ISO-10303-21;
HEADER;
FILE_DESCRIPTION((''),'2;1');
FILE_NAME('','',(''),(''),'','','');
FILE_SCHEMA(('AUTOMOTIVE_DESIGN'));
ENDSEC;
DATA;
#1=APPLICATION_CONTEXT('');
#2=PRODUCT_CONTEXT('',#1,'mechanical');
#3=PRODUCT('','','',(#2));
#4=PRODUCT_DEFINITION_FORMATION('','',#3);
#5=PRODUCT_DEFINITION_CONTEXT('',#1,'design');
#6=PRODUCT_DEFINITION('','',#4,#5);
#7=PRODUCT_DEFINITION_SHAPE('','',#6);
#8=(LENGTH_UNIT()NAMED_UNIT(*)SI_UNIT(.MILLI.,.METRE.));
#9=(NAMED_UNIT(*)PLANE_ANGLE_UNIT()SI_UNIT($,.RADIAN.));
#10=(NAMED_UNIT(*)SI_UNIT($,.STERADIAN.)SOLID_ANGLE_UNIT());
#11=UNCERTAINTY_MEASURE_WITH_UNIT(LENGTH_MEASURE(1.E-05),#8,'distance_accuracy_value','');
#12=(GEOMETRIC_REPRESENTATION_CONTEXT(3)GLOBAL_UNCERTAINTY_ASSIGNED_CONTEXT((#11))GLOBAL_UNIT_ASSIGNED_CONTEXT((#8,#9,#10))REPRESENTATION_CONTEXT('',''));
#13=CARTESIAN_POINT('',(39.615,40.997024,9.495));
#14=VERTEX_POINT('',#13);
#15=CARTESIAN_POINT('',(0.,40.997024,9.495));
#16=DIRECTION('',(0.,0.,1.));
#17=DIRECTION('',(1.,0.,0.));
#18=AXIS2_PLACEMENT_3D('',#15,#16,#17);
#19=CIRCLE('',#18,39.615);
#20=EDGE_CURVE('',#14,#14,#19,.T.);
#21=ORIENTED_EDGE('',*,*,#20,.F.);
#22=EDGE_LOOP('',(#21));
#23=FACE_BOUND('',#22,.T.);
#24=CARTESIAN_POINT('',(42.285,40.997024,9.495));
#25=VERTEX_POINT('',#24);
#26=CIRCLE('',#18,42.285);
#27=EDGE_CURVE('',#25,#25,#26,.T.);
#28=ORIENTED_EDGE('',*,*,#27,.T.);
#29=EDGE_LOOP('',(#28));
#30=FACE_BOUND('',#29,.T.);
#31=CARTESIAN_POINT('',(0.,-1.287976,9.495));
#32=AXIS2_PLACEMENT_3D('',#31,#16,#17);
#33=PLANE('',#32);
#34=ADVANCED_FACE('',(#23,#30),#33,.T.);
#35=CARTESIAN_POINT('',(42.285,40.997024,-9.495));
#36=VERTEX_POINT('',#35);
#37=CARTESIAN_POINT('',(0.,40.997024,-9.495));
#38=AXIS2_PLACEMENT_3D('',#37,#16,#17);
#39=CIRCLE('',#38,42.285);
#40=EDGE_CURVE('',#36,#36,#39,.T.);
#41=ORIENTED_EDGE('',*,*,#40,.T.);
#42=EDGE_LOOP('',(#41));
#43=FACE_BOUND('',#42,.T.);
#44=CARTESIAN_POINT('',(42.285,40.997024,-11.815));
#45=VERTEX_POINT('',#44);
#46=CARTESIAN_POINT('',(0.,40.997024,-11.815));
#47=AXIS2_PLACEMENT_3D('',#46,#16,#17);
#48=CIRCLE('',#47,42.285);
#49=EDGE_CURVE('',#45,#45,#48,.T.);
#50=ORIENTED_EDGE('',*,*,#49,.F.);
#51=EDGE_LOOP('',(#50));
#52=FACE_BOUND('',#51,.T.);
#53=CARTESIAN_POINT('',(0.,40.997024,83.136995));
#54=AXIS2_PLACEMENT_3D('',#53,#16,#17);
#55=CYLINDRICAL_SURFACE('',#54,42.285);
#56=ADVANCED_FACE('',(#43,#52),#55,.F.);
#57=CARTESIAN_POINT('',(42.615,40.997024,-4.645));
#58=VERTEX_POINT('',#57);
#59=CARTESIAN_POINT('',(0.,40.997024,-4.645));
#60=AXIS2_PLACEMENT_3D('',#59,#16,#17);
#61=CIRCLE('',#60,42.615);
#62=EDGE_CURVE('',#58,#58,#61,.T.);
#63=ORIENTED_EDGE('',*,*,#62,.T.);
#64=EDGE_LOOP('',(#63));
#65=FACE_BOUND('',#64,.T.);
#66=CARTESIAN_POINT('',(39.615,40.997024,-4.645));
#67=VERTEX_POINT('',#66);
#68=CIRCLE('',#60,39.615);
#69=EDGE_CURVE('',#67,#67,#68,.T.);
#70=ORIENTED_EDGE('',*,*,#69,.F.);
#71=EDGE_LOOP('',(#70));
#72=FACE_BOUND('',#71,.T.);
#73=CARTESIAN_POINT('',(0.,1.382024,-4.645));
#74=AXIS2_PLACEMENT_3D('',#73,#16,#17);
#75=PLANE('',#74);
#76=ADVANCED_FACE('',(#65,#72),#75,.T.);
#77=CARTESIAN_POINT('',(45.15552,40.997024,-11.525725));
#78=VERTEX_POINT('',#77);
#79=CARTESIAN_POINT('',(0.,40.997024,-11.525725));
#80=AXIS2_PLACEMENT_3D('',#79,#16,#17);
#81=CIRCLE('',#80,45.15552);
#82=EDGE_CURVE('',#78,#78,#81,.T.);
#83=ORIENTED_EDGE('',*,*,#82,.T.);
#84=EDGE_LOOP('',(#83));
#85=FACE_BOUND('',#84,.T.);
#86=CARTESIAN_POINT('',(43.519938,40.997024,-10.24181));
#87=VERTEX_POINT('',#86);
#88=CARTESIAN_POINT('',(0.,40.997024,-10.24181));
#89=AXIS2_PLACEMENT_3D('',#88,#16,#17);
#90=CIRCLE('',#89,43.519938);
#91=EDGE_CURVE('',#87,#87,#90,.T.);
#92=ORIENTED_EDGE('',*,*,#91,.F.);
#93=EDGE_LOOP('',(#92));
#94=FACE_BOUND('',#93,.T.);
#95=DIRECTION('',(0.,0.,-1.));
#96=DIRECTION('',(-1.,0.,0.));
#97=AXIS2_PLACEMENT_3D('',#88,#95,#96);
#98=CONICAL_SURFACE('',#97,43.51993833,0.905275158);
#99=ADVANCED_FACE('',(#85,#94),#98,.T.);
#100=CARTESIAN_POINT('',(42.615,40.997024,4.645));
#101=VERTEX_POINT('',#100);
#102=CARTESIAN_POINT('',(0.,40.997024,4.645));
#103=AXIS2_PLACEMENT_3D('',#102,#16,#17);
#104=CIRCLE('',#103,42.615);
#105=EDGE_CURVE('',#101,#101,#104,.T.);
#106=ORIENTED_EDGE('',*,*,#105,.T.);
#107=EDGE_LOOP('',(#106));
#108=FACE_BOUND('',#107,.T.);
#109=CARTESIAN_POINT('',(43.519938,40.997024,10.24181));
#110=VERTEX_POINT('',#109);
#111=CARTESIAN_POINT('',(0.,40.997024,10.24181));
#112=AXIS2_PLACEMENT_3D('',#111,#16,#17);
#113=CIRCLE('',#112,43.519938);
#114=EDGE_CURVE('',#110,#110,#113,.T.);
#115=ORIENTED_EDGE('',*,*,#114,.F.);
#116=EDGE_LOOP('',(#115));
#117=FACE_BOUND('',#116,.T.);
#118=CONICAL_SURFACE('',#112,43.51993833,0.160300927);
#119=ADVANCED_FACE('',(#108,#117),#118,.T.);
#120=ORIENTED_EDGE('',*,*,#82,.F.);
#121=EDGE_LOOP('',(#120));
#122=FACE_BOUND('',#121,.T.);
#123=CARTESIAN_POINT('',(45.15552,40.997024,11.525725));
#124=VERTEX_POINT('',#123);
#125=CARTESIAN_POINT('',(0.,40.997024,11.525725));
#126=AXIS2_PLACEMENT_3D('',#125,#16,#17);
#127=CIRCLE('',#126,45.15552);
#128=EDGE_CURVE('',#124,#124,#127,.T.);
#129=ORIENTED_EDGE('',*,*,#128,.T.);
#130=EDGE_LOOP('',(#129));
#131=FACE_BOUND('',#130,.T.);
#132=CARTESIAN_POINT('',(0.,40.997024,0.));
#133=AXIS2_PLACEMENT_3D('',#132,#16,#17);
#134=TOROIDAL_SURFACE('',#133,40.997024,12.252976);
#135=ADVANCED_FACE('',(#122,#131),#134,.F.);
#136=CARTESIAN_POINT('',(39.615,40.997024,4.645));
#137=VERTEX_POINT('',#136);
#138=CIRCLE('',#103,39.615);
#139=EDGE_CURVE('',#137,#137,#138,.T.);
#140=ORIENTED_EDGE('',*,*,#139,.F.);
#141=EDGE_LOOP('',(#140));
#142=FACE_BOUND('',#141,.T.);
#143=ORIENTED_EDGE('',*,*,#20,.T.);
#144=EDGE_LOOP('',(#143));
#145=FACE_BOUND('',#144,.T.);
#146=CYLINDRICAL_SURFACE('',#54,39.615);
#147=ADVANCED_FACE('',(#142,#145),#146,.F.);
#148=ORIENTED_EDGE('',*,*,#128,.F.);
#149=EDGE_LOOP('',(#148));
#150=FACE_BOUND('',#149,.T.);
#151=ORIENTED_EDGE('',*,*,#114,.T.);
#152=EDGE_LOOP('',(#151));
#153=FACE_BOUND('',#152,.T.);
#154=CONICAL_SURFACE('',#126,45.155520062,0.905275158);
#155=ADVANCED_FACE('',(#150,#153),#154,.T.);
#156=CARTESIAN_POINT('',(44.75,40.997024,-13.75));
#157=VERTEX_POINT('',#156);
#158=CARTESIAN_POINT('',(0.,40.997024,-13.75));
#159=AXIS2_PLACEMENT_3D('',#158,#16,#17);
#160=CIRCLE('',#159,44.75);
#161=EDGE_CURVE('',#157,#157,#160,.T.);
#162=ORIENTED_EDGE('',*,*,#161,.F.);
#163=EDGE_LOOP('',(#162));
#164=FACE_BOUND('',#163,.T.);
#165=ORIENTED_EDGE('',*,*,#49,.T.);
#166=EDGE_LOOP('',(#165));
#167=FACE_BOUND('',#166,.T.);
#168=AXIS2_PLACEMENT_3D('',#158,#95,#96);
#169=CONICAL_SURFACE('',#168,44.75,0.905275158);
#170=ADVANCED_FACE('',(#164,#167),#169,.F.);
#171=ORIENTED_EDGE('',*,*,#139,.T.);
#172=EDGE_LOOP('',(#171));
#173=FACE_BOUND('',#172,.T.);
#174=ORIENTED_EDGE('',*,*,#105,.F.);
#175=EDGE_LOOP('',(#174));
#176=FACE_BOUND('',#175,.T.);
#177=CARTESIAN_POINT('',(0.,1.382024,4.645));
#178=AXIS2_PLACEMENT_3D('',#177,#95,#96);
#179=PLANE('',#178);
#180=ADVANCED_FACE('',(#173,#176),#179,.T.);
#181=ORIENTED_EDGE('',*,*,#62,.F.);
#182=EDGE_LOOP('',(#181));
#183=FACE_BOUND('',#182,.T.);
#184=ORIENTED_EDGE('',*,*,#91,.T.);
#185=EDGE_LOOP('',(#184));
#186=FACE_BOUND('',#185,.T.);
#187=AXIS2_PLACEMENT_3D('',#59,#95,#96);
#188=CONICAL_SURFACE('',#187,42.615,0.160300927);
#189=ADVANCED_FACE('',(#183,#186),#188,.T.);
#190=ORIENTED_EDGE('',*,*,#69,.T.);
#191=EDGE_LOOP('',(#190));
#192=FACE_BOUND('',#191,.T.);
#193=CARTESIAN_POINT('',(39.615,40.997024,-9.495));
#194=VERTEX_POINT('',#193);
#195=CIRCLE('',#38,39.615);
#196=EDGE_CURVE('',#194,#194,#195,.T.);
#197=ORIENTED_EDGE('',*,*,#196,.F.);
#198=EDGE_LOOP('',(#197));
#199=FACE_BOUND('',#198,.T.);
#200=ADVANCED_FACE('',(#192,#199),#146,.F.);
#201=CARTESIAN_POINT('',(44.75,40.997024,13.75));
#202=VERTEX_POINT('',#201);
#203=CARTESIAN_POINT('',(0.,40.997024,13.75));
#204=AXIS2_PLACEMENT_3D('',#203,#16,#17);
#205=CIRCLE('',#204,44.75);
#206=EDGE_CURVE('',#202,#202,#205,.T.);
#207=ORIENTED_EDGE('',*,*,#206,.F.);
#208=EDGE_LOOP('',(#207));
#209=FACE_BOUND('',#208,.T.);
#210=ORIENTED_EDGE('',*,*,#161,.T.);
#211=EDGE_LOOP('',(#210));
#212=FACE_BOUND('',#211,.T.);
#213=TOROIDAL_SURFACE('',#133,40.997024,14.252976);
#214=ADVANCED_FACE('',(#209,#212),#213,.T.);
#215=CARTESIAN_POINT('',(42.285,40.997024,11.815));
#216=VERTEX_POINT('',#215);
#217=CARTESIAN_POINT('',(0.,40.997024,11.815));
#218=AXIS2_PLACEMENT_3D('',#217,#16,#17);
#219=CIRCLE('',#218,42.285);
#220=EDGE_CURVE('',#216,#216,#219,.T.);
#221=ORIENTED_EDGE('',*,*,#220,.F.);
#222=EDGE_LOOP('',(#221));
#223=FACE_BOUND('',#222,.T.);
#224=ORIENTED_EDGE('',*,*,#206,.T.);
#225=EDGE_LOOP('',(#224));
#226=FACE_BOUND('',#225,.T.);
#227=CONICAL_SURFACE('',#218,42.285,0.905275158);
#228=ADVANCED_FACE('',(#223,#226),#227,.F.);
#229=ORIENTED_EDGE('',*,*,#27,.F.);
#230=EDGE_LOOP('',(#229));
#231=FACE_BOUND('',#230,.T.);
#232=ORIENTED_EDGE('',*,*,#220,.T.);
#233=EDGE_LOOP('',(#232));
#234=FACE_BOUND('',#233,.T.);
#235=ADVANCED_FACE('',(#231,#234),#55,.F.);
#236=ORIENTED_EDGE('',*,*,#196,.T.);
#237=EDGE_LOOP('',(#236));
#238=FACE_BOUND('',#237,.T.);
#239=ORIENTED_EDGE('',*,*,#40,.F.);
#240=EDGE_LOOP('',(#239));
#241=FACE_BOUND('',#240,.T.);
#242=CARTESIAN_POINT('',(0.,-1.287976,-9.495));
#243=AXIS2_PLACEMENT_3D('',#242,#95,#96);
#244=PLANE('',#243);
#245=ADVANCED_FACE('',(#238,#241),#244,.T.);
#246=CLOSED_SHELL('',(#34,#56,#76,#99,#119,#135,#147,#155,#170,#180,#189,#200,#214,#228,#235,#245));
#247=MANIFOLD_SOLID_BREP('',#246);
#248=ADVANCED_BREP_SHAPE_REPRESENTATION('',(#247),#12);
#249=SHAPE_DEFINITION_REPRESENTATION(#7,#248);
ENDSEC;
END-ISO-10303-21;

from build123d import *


with BuildPart() as part:
    # Schizzo1 → Rivoluzione1 (revolve)
    with BuildSketch(Plane(origin=(0, 0, 0), x_dir=(0, 0, -1), z_dir=(1, 0, 0)), mode=Mode.PRIVATE) as rivoluzione1_sk:
        with BuildLine():
            Line((-13.75, -3.75297619), (-11.815, -1.28797619))
            Line((-11.815, -1.28797619), (-9.495, -1.28797619))
            Line((-9.495, -1.28797619), (-9.495, 1.38202381))
            Line((-9.495, 1.38202381), (-4.645, 1.38202381))
            Line((-4.645, 1.38202381), (-4.645, -1.61797619))
            Line((-4.645, -1.61797619), (-10.241809827, -2.522914521))
            Line((-10.241809827, -2.522914521), (-11.525724899, -4.158496253))
            ThreePointArc((-11.525724899, -4.158496253), (-7.042068941, -10.027197542), (0, -12.25297619))
            ThreePointArc((0, -12.25297619), (7.042068941, -10.027197542), (11.525724899, -4.158496253))
            Line((11.525724899, -4.158496253), (10.241809827, -2.522914521))
            Line((10.241809827, -2.522914521), (4.645, -1.61797619))
            Line((4.645, -1.61797619), (4.645, 1.38202381))
            Line((4.645, 1.38202381), (9.495, 1.38202381))
            Line((9.495, 1.38202381), (9.495, -1.28797619))
            Line((9.495, -1.28797619), (11.815, -1.28797619))
            Line((11.815, -1.28797619), (13.75, -3.75297619))
            ThreePointArc((13.75, -3.75297619), (8.650325138, -11.327806729), (0, -14.25297619))
            ThreePointArc((0, -14.25297619), (-8.650325138, -11.327806729), (-13.75, -3.75297619))
        make_face()
    revolve(rivoluzione1_sk.sketch.rotate(Axis((0, 40.99702381, 83.136994768), (0, 0, -1)), 270), axis=Axis((0, 40.99702381, 83.136994768), (0, 0, -1)))


solid = part.part
